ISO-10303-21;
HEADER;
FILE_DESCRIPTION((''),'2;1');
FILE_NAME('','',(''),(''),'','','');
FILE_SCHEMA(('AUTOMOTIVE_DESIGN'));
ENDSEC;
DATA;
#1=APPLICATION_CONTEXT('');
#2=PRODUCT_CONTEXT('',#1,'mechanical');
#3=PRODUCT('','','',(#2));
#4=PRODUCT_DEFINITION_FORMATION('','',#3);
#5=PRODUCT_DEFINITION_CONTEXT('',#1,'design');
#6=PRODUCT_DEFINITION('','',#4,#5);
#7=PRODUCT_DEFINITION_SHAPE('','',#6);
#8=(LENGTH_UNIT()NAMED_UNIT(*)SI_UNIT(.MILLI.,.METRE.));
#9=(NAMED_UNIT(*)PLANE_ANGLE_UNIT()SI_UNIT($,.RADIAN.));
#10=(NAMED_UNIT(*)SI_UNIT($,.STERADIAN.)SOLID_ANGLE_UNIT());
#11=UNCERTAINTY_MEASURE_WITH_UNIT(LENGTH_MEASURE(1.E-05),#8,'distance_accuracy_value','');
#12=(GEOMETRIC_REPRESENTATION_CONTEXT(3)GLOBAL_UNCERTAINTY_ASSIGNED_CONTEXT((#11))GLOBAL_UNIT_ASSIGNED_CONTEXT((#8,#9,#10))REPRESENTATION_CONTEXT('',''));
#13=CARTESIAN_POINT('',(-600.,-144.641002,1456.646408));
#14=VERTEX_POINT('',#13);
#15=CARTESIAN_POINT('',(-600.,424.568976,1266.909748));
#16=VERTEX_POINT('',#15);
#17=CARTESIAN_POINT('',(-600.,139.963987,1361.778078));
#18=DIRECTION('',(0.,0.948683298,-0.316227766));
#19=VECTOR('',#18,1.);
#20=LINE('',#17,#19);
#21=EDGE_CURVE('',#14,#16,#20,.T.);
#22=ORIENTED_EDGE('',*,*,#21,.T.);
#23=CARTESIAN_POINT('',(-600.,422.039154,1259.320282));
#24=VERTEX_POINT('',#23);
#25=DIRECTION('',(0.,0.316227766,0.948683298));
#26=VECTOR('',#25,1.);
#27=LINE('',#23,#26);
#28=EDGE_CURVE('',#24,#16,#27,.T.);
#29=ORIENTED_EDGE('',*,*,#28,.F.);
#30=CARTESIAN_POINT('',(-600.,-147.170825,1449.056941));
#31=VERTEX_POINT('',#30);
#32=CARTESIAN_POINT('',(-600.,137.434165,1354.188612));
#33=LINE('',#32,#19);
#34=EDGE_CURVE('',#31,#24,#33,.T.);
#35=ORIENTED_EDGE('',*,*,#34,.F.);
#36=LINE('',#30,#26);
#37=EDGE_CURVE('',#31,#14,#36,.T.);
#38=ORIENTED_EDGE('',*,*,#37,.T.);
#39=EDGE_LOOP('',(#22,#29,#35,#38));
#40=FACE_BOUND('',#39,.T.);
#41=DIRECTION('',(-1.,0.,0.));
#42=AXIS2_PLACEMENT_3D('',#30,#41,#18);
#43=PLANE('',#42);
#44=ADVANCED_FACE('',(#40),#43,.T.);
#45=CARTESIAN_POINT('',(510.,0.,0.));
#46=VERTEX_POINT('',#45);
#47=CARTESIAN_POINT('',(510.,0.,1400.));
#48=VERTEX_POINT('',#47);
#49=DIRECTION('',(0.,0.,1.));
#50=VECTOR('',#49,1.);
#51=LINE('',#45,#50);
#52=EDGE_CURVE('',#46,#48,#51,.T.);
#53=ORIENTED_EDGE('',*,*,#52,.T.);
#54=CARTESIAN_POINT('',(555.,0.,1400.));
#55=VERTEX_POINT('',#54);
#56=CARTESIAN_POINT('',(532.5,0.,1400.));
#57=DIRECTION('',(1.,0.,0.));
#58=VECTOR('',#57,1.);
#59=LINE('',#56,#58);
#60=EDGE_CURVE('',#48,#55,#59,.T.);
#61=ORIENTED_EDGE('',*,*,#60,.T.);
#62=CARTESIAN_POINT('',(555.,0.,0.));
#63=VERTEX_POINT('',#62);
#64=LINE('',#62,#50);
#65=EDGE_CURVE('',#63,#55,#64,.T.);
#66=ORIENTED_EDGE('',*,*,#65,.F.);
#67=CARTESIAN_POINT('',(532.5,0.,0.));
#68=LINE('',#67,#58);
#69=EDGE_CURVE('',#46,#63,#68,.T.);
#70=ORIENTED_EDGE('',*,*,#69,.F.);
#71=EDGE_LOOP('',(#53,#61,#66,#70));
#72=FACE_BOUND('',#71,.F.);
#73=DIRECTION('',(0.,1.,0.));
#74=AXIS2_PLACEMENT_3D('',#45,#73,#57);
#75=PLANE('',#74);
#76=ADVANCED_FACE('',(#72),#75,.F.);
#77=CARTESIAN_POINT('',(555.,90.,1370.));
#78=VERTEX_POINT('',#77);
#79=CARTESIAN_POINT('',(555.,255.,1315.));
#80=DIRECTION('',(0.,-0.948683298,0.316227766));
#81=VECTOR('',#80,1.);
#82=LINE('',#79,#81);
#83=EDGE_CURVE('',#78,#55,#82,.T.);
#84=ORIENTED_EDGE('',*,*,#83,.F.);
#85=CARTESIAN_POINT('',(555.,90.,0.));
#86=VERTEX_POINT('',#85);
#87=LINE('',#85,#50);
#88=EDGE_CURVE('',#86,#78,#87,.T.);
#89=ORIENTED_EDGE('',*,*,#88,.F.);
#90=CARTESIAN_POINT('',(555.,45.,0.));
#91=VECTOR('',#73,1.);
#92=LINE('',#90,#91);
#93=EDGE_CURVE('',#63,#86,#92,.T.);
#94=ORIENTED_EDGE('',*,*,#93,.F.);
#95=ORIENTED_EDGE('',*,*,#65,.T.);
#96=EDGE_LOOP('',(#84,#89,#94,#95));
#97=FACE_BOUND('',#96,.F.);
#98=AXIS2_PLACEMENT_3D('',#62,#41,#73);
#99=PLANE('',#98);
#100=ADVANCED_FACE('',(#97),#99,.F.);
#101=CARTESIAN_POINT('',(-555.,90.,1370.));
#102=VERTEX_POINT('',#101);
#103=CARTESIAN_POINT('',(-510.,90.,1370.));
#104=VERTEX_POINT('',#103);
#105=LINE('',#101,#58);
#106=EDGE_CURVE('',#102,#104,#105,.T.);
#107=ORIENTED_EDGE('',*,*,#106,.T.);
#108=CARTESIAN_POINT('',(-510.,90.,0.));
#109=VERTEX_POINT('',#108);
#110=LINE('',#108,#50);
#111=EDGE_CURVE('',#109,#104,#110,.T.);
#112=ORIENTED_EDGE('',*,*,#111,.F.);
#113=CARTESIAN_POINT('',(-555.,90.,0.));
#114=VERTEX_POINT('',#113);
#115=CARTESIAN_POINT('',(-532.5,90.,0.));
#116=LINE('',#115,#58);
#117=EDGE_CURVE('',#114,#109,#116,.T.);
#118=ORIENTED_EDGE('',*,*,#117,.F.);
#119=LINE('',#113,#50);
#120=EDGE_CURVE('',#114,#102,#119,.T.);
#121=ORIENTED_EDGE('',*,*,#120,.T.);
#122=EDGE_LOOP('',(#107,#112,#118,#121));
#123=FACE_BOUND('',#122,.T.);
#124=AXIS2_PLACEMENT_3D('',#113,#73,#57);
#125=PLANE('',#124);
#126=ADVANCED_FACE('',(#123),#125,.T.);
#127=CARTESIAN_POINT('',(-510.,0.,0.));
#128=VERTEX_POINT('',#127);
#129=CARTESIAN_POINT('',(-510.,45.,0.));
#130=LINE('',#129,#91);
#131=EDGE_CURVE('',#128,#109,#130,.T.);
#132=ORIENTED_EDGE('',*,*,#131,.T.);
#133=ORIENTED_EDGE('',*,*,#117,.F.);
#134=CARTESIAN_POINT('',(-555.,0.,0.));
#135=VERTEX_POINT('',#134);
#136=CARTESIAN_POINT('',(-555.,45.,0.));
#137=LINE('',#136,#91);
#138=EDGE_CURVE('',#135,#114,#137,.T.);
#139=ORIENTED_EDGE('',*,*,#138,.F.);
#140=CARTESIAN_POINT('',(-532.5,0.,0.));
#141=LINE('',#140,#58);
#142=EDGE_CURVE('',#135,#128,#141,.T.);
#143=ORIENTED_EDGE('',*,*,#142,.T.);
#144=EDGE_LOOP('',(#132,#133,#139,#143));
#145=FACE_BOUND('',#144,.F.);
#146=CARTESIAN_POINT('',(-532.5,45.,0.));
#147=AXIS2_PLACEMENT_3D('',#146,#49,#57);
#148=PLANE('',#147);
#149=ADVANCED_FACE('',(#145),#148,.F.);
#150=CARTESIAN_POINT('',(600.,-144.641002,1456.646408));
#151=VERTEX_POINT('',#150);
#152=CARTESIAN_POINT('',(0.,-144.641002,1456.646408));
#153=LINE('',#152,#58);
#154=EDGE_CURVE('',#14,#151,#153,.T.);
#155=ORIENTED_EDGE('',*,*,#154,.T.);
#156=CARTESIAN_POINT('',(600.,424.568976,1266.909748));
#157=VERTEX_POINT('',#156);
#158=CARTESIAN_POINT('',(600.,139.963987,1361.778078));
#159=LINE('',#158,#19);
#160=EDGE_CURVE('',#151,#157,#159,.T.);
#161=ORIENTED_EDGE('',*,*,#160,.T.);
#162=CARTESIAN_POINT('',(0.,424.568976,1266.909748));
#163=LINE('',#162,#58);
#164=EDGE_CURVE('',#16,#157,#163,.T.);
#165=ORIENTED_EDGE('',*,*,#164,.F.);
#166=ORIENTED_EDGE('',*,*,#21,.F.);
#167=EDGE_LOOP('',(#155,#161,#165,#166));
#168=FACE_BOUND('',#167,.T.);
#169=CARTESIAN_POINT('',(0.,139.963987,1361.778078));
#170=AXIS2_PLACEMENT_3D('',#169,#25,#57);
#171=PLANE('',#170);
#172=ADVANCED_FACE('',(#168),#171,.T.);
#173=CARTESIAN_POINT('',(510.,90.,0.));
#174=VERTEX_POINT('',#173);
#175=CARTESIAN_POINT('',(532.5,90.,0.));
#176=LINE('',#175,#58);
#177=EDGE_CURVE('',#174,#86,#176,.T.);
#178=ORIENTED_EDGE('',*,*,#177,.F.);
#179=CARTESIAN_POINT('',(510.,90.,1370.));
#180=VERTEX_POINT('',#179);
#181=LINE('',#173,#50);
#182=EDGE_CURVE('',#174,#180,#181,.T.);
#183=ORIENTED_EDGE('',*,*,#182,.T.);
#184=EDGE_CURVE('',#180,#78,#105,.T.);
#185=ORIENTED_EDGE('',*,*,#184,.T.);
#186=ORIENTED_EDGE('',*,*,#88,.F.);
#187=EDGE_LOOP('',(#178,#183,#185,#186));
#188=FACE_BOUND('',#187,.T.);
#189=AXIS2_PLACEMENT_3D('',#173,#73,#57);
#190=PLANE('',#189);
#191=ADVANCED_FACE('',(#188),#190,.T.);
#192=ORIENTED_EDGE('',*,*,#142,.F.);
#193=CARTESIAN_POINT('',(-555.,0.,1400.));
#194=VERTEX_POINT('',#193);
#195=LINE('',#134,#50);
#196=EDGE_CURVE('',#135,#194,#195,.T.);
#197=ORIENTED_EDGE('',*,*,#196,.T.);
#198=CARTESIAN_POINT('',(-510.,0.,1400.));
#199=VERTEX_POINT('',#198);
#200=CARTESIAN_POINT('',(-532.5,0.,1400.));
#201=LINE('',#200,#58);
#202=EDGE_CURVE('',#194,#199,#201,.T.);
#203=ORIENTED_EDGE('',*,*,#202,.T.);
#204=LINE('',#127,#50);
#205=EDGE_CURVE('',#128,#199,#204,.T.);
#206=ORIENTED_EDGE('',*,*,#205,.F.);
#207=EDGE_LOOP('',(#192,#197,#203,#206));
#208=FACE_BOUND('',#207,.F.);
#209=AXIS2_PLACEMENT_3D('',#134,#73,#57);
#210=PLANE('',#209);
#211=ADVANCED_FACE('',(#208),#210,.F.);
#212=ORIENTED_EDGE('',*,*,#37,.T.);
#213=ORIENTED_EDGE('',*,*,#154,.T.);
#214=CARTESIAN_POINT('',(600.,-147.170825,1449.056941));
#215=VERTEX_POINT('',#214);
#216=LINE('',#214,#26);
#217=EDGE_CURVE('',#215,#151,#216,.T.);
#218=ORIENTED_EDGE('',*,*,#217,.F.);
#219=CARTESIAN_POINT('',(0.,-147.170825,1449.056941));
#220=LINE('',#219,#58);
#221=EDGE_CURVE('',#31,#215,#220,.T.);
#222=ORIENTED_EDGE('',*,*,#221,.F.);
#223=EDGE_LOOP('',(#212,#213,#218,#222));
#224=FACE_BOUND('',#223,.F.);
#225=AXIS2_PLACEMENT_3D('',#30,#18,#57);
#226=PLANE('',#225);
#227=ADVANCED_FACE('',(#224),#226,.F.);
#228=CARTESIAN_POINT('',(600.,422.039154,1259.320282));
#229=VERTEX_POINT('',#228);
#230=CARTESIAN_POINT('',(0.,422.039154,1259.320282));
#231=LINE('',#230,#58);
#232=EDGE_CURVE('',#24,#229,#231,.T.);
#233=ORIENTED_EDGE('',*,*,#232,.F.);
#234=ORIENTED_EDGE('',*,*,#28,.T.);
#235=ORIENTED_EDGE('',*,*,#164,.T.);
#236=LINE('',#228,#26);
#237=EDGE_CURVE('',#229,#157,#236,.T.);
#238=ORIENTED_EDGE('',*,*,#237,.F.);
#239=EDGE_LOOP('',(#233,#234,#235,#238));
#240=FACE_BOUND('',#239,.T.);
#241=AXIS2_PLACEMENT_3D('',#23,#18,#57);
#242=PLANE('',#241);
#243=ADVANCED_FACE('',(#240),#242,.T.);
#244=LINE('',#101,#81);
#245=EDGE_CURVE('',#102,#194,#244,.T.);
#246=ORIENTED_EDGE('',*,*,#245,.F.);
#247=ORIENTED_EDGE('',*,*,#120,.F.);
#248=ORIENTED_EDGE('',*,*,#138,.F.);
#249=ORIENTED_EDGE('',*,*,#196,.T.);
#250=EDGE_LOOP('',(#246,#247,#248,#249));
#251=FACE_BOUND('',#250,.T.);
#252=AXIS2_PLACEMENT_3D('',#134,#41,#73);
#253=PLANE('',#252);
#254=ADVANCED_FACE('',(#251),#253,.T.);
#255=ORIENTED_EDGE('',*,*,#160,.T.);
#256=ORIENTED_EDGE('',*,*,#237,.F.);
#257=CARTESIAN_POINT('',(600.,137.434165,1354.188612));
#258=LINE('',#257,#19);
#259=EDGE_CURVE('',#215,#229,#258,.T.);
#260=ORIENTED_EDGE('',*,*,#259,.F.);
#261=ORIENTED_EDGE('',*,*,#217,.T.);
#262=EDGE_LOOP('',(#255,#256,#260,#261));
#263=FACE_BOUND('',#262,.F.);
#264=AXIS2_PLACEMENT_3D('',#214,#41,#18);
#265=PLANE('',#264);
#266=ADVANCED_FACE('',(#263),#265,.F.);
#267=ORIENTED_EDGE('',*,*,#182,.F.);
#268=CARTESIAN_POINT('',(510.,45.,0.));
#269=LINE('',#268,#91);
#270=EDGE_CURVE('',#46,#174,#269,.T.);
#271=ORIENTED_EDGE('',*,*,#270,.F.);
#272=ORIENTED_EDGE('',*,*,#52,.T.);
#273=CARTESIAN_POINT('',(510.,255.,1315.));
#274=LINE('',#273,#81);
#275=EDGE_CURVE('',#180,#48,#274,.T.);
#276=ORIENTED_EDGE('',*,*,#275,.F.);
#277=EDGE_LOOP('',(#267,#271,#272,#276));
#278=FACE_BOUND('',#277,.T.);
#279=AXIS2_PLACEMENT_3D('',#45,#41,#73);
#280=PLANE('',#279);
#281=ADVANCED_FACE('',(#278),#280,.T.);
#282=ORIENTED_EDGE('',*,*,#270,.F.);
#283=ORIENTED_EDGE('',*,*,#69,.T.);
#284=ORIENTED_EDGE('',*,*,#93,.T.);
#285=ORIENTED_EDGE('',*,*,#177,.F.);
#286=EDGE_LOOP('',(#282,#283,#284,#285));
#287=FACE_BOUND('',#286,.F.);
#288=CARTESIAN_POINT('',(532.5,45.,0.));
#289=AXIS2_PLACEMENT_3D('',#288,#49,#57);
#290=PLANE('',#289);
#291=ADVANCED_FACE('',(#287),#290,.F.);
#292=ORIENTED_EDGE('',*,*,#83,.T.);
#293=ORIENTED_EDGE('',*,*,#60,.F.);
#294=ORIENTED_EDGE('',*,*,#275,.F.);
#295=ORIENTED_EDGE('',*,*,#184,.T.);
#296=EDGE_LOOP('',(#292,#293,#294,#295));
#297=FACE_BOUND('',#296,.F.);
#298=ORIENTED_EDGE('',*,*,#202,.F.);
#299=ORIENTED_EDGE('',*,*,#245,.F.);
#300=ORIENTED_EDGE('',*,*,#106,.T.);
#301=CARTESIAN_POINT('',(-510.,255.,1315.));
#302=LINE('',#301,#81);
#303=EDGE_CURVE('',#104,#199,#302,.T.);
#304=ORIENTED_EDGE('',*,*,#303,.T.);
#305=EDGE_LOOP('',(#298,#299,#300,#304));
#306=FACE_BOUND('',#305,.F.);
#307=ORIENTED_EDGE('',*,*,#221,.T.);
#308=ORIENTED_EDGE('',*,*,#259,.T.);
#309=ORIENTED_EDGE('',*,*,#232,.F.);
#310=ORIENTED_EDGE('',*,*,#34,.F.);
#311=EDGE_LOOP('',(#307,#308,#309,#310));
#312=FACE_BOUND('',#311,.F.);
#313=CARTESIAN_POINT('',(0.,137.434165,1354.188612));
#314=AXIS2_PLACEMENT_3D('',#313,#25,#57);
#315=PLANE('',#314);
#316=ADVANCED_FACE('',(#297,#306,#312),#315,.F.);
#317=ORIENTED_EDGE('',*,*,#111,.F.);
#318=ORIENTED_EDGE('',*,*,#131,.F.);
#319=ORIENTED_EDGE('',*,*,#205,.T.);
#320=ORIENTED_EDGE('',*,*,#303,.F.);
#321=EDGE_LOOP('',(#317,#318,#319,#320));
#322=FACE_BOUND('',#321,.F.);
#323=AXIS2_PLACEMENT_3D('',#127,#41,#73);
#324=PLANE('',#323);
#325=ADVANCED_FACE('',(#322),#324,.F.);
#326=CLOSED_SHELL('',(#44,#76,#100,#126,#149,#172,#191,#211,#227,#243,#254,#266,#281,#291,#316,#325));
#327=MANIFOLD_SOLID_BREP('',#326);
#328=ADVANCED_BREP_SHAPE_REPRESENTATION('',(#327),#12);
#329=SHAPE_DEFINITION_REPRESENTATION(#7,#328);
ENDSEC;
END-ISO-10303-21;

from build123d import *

# Parameters (mm, degrees)
F0_W     = 45
F0_H     = 90
F1_DEPTH = 1400
F3_DEPTH = 1110.001
F5_DEPTH = 45.001
F6_W     = 1200
F6_H     = 600
F7_DEPTH = 8


with BuildPart() as f1:
    # F0 (on Top) → F1 (new body)
    with BuildSketch(Plane.XY):
        with Locations((-532.5, 45)):
            Rectangle(F0_W, F0_H)
    extrude(amount=F1_DEPTH)


with BuildPart() as f1b:
    # F0 (on Top) → F1, piece 2 (new body)
    with BuildSketch(Plane.XY):
        with Locations((532.5, 45)):
            Rectangle(F0_W, F0_H)
    extrude(amount=F1_DEPTH)


with BuildPart() as f3_tool:
    # F2 (on face) → F3 (new body, through all)
    with BuildSketch(Plane(origin=(-555, 0, 0), x_dir=(0, -1, 0), z_dir=(-1, 0, 0))):
        Polygon((0, 1400), (-90, 1400), (-90, 1370), align=None)
    extrude(amount=-F3_DEPTH)


with BuildPart() as f1_1:
    add(f1.part)

    # F3: cut by f3_tool
    add(f3_tool.part, mode=Mode.SUBTRACT)

    # F4 (on face) → F5 (cut, through all)
    with BuildSketch(Plane(origin=(510, 0, 0), x_dir=(0, -1, 0), z_dir=(-1, 0, 0))):
        Polygon((0, 1400), (-90, 1400), (-90, 1370), align=None)
    extrude(amount=-F5_DEPTH, mode=Mode.SUBTRACT)



with BuildPart() as f1b_1:
    add(f1b.part)

    # F3: cut by f3_tool
    add(f3_tool.part, mode=Mode.SUBTRACT)


with BuildPart() as f1_2:
    add(f1_1.part)

    add(f1b_1.part)  # F7 merges F1b
    # F6 (on face) → F7 (join)
    with BuildSketch(Plane(origin=(0, 420, 1260), x_dir=(1, 0, 0), z_dir=(0, 0.316227766, 0.9486832981))):
        with Locations((0, -297.8505426185)):
            Rectangle(F6_W, F6_H)
    extrude(amount=F7_DEPTH)


solid = f1_2.part
